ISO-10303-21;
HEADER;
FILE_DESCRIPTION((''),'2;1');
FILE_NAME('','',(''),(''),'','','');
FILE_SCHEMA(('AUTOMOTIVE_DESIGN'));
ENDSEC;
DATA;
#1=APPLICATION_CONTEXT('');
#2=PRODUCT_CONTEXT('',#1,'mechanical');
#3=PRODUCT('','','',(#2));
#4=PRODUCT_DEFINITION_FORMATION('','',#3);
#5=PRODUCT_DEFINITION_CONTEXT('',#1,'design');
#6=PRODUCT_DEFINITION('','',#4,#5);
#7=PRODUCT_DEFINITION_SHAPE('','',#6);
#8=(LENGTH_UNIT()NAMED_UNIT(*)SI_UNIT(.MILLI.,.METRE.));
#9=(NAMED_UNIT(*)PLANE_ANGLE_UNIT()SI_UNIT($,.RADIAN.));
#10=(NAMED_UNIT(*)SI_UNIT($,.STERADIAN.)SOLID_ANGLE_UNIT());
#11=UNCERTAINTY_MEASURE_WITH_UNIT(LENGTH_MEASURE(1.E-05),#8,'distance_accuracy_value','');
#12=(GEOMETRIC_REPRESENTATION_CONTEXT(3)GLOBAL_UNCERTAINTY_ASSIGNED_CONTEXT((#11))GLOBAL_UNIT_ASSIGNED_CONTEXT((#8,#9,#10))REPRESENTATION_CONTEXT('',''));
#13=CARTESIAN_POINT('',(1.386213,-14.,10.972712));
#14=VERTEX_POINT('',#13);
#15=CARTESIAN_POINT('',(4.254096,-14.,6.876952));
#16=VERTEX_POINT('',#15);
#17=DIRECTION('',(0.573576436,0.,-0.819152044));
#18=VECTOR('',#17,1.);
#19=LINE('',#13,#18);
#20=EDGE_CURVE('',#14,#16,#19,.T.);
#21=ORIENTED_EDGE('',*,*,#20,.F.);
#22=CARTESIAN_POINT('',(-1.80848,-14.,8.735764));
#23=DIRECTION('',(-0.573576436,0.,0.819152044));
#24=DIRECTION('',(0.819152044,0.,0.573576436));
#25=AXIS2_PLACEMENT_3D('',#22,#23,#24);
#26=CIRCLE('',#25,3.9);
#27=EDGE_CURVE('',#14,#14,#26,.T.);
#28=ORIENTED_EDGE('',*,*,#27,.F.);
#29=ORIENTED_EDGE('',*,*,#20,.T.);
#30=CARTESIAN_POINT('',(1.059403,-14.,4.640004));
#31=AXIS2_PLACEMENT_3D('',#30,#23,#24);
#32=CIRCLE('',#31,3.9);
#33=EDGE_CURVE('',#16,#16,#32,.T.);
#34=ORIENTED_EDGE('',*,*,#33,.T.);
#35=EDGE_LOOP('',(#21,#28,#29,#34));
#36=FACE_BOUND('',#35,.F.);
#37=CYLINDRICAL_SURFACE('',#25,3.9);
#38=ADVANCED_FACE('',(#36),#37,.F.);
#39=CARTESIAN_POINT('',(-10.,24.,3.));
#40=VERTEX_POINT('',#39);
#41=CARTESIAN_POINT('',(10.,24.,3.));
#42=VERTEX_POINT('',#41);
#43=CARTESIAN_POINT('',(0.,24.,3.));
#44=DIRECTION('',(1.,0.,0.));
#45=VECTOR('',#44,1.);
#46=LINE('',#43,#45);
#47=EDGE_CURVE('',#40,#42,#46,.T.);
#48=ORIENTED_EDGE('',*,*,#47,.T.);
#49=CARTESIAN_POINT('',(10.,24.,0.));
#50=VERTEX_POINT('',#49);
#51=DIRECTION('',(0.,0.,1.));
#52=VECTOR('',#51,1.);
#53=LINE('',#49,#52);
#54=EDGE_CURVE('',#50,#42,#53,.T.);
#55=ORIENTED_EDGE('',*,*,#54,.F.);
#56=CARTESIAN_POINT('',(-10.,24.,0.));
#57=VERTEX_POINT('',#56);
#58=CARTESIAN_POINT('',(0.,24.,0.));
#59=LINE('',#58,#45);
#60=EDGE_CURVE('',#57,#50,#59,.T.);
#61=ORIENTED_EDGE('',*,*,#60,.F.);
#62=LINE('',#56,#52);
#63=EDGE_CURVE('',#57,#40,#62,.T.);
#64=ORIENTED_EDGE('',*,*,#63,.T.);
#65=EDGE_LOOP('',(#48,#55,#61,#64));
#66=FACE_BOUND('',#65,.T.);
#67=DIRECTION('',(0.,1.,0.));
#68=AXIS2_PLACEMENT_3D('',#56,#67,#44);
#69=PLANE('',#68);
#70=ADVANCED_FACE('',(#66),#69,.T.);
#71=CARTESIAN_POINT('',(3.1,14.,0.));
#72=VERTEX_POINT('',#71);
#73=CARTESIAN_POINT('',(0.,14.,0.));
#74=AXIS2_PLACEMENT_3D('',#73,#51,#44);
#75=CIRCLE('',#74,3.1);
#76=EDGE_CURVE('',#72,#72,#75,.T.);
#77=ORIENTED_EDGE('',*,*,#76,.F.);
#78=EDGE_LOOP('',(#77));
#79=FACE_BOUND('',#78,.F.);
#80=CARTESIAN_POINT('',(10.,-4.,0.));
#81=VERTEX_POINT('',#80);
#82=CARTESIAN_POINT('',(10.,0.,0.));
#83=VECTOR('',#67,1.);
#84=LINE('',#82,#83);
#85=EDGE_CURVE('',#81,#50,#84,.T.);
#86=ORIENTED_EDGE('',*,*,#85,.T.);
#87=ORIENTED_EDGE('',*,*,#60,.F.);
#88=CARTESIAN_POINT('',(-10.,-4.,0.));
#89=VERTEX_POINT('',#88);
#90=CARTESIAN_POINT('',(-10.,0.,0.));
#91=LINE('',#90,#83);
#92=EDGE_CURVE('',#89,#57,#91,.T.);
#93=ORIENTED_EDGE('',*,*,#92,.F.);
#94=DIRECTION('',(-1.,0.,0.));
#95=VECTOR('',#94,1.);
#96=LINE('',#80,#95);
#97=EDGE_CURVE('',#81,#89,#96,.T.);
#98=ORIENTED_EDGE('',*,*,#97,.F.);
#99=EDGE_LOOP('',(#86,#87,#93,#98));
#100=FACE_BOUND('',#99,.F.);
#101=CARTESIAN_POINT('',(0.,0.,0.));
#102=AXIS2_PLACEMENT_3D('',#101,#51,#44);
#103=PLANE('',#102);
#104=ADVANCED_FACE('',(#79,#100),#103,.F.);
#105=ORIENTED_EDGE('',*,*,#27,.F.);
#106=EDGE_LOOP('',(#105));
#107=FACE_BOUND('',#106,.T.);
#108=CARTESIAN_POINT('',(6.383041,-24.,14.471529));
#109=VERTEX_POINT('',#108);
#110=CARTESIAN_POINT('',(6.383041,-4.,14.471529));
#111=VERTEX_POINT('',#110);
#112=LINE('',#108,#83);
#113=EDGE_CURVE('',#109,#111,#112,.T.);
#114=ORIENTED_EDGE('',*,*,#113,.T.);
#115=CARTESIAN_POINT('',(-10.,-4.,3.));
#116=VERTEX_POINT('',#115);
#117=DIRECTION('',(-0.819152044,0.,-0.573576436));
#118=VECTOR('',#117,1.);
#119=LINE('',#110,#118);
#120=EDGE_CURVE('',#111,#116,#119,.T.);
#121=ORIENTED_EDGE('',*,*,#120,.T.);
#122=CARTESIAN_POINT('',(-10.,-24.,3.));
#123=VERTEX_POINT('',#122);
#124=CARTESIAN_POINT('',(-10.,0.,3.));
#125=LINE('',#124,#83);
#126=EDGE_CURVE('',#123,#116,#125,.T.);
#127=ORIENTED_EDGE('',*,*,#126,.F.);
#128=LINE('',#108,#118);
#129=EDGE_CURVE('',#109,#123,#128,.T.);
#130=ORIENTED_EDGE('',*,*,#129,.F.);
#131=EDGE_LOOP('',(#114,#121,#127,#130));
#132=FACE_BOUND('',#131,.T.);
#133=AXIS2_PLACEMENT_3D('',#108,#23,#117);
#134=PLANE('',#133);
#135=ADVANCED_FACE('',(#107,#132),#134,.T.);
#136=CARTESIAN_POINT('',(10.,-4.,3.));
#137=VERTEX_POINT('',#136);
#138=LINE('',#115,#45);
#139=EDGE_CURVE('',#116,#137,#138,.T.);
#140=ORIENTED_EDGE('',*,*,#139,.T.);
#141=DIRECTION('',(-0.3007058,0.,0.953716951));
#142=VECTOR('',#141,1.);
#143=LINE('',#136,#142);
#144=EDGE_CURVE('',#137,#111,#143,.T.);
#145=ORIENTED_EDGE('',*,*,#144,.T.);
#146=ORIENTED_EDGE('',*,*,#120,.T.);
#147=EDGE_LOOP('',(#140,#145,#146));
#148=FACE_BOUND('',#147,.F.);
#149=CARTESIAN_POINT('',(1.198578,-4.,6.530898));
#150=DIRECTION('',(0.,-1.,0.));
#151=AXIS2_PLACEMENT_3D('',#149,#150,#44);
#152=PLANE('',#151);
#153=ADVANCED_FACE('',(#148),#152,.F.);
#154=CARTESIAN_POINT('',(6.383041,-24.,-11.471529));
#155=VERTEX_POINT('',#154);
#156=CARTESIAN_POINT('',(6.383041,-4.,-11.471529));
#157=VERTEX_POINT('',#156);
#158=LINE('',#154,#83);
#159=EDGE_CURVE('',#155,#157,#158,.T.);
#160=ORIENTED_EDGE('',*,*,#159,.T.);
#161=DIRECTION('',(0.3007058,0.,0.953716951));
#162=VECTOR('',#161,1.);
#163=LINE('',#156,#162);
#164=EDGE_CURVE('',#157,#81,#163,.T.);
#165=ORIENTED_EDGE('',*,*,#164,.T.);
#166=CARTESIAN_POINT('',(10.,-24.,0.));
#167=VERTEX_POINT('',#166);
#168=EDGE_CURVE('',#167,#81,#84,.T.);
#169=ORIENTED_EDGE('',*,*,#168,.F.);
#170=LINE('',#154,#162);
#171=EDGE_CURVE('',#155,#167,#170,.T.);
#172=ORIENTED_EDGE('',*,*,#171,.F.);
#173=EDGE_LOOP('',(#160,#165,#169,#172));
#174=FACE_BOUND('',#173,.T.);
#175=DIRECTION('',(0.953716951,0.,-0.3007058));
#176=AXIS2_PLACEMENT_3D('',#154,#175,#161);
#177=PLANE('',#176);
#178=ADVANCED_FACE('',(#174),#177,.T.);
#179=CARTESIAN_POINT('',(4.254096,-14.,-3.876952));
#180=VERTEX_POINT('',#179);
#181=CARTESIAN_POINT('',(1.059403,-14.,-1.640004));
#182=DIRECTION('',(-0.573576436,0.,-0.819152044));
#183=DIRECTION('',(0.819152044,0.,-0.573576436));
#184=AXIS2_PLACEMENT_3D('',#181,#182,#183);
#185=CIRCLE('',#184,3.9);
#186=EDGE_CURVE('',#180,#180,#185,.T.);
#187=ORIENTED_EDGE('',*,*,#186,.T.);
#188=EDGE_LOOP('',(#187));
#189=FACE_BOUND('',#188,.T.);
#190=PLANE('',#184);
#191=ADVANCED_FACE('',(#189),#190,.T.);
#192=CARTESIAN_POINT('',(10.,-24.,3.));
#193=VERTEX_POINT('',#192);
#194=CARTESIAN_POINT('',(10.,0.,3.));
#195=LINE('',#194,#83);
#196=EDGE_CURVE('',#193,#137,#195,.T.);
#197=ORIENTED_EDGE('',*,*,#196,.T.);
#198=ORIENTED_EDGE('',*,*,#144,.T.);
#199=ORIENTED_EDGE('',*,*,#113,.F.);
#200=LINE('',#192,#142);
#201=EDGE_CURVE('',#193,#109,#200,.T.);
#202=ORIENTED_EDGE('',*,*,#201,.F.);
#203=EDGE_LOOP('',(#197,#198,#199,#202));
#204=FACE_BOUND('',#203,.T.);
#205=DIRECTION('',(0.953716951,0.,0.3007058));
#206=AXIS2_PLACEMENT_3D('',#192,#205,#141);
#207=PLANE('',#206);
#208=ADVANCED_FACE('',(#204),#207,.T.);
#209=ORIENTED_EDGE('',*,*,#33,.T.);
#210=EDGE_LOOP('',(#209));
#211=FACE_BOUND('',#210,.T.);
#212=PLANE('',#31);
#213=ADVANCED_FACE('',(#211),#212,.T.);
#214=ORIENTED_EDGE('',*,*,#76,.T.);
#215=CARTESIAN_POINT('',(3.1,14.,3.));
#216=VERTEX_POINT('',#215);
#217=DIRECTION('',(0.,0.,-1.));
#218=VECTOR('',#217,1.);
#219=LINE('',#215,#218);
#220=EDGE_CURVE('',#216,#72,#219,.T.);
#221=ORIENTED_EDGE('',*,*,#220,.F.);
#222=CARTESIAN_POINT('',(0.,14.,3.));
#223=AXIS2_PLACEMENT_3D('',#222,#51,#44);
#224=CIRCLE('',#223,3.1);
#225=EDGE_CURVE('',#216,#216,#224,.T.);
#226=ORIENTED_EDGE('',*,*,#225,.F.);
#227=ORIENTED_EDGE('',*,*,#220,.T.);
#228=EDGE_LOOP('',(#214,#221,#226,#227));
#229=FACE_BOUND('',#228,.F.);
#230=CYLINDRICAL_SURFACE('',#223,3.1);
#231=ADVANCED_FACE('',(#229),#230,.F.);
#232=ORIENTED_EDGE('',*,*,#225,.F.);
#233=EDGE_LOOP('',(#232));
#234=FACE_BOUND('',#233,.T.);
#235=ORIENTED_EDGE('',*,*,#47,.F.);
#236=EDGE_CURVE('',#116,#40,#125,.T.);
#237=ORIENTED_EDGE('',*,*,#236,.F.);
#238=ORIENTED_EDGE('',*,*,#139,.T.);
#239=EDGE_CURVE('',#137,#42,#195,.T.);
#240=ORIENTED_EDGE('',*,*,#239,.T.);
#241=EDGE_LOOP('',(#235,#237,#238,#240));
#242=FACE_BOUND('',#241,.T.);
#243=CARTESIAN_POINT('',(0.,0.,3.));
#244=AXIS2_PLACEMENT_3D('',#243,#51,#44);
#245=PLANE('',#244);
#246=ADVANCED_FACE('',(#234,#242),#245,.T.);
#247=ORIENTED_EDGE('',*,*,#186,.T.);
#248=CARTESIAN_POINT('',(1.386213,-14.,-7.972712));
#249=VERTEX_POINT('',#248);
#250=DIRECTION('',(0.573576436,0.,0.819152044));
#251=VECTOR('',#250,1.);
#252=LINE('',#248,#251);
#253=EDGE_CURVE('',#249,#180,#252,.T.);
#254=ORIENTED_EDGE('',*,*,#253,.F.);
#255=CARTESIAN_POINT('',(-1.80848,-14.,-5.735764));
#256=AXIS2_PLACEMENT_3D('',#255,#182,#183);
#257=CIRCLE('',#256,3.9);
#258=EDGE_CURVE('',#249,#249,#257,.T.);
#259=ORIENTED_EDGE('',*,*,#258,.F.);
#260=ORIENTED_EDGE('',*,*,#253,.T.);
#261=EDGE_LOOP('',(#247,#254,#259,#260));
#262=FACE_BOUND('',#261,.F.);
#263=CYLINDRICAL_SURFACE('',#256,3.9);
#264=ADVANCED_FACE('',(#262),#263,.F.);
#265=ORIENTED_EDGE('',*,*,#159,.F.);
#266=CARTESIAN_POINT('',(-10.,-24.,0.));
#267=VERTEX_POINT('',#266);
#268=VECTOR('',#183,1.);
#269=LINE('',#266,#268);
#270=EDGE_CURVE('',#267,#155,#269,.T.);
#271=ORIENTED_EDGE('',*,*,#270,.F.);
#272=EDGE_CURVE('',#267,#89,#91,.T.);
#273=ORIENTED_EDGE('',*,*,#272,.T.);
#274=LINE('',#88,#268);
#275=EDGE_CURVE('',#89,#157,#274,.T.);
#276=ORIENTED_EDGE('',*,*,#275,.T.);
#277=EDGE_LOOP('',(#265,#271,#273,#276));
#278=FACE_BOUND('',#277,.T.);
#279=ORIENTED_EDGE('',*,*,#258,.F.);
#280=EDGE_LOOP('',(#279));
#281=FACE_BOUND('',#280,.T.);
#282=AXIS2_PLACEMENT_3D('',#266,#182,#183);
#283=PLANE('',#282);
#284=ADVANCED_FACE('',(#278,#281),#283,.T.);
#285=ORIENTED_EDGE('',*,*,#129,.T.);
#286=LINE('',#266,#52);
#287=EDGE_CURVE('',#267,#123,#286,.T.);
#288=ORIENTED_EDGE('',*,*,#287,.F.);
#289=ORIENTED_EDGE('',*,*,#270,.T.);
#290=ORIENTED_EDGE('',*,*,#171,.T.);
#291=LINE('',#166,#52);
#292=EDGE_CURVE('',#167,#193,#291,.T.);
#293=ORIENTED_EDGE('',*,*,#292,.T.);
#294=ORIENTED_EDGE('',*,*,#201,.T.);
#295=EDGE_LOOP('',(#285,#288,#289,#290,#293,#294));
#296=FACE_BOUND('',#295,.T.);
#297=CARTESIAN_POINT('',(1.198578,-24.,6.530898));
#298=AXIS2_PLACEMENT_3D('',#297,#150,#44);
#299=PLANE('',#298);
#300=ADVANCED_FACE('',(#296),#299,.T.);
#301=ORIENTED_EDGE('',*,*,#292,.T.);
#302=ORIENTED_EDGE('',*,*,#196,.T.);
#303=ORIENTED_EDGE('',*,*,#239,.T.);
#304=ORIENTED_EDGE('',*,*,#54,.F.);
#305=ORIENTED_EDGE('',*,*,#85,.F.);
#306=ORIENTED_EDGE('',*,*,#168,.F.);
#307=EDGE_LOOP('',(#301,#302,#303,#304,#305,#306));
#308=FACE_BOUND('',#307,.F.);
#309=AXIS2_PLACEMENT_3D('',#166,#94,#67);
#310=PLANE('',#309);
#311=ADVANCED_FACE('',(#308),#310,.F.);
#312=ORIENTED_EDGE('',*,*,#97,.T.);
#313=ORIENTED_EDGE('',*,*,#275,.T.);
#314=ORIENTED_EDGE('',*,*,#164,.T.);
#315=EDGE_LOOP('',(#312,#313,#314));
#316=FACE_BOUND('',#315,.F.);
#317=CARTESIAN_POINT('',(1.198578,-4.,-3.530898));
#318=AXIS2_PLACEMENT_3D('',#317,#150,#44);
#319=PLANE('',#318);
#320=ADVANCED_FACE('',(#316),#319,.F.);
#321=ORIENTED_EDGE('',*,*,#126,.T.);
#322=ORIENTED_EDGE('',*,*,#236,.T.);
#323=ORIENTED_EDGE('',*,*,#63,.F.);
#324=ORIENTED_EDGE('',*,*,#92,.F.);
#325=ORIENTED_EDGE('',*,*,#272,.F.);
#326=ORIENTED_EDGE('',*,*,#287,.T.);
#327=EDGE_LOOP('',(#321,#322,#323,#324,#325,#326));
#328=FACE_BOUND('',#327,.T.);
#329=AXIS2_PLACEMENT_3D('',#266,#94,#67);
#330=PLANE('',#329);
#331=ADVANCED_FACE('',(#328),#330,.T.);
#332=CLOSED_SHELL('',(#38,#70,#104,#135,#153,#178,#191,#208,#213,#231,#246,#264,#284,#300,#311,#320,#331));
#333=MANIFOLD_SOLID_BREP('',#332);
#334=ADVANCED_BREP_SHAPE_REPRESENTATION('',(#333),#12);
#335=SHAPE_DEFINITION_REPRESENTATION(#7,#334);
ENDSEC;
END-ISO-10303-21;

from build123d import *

# Parameters (mm, degrees)
F0_W     = 20
F0_H     = 48
F1_DEPTH = 3
F2_R     = 3.1
F3_DEPTH = 25
F5_DEPTH = 20
F6_R     = 3.9
F7_DEPTH = 5
F8_R     = 3.9
F9_DEPTH = 5


with BuildPart() as f1:
    # F0 (on Top) → F1 (new body)
    with BuildSketch(Plane.XY):
        Rectangle(F0_W, F0_H)
    extrude(amount=F1_DEPTH)

    # F2 (on face) → F3 (cut)
    with BuildSketch(Plane.XY.offset(3)):
        with Locations((0, 14)):
            Circle(F2_R)
    extrude(amount=-F3_DEPTH, mode=Mode.SUBTRACT)

    # F4 (on face) → F5 (join)
    with BuildSketch(Plane.XZ.offset(24)):
        Polygon((6.3830408858, 14.471528727), (-10, 3), (10, 3), align=None)
        Polygon((10, 0), (-10, 0), (6.3830408858, -11.471528727), align=None)
    extrude(amount=-F5_DEPTH)

    # F6 (on face) → F7 (cut)
    with BuildSketch(Plane(origin=(-4.6994382146, 0, 6.7114933189), x_dir=(0.8191520443, 0, 0.5735764364), z_dir=(-0.5735764364, 0, 0.8191520443))):
        with Locations((3.5292088662, -14)):
            Circle(F6_R)
    extrude(amount=-F7_DEPTH, mode=Mode.SUBTRACT)

    # F8 (on face) → F9 (cut)
    with BuildSketch(Plane(origin=(-3.2898992834, 0, -4.6984631039), x_dir=(0.8191520443, 0, -0.5735764364), z_dir=(-0.5735764364, 0, -0.8191520443))):
        with Locations((1.8084795571, 14)):
            Circle(F8_R)
    extrude(amount=-F9_DEPTH, mode=Mode.SUBTRACT)


solid = f1.part
